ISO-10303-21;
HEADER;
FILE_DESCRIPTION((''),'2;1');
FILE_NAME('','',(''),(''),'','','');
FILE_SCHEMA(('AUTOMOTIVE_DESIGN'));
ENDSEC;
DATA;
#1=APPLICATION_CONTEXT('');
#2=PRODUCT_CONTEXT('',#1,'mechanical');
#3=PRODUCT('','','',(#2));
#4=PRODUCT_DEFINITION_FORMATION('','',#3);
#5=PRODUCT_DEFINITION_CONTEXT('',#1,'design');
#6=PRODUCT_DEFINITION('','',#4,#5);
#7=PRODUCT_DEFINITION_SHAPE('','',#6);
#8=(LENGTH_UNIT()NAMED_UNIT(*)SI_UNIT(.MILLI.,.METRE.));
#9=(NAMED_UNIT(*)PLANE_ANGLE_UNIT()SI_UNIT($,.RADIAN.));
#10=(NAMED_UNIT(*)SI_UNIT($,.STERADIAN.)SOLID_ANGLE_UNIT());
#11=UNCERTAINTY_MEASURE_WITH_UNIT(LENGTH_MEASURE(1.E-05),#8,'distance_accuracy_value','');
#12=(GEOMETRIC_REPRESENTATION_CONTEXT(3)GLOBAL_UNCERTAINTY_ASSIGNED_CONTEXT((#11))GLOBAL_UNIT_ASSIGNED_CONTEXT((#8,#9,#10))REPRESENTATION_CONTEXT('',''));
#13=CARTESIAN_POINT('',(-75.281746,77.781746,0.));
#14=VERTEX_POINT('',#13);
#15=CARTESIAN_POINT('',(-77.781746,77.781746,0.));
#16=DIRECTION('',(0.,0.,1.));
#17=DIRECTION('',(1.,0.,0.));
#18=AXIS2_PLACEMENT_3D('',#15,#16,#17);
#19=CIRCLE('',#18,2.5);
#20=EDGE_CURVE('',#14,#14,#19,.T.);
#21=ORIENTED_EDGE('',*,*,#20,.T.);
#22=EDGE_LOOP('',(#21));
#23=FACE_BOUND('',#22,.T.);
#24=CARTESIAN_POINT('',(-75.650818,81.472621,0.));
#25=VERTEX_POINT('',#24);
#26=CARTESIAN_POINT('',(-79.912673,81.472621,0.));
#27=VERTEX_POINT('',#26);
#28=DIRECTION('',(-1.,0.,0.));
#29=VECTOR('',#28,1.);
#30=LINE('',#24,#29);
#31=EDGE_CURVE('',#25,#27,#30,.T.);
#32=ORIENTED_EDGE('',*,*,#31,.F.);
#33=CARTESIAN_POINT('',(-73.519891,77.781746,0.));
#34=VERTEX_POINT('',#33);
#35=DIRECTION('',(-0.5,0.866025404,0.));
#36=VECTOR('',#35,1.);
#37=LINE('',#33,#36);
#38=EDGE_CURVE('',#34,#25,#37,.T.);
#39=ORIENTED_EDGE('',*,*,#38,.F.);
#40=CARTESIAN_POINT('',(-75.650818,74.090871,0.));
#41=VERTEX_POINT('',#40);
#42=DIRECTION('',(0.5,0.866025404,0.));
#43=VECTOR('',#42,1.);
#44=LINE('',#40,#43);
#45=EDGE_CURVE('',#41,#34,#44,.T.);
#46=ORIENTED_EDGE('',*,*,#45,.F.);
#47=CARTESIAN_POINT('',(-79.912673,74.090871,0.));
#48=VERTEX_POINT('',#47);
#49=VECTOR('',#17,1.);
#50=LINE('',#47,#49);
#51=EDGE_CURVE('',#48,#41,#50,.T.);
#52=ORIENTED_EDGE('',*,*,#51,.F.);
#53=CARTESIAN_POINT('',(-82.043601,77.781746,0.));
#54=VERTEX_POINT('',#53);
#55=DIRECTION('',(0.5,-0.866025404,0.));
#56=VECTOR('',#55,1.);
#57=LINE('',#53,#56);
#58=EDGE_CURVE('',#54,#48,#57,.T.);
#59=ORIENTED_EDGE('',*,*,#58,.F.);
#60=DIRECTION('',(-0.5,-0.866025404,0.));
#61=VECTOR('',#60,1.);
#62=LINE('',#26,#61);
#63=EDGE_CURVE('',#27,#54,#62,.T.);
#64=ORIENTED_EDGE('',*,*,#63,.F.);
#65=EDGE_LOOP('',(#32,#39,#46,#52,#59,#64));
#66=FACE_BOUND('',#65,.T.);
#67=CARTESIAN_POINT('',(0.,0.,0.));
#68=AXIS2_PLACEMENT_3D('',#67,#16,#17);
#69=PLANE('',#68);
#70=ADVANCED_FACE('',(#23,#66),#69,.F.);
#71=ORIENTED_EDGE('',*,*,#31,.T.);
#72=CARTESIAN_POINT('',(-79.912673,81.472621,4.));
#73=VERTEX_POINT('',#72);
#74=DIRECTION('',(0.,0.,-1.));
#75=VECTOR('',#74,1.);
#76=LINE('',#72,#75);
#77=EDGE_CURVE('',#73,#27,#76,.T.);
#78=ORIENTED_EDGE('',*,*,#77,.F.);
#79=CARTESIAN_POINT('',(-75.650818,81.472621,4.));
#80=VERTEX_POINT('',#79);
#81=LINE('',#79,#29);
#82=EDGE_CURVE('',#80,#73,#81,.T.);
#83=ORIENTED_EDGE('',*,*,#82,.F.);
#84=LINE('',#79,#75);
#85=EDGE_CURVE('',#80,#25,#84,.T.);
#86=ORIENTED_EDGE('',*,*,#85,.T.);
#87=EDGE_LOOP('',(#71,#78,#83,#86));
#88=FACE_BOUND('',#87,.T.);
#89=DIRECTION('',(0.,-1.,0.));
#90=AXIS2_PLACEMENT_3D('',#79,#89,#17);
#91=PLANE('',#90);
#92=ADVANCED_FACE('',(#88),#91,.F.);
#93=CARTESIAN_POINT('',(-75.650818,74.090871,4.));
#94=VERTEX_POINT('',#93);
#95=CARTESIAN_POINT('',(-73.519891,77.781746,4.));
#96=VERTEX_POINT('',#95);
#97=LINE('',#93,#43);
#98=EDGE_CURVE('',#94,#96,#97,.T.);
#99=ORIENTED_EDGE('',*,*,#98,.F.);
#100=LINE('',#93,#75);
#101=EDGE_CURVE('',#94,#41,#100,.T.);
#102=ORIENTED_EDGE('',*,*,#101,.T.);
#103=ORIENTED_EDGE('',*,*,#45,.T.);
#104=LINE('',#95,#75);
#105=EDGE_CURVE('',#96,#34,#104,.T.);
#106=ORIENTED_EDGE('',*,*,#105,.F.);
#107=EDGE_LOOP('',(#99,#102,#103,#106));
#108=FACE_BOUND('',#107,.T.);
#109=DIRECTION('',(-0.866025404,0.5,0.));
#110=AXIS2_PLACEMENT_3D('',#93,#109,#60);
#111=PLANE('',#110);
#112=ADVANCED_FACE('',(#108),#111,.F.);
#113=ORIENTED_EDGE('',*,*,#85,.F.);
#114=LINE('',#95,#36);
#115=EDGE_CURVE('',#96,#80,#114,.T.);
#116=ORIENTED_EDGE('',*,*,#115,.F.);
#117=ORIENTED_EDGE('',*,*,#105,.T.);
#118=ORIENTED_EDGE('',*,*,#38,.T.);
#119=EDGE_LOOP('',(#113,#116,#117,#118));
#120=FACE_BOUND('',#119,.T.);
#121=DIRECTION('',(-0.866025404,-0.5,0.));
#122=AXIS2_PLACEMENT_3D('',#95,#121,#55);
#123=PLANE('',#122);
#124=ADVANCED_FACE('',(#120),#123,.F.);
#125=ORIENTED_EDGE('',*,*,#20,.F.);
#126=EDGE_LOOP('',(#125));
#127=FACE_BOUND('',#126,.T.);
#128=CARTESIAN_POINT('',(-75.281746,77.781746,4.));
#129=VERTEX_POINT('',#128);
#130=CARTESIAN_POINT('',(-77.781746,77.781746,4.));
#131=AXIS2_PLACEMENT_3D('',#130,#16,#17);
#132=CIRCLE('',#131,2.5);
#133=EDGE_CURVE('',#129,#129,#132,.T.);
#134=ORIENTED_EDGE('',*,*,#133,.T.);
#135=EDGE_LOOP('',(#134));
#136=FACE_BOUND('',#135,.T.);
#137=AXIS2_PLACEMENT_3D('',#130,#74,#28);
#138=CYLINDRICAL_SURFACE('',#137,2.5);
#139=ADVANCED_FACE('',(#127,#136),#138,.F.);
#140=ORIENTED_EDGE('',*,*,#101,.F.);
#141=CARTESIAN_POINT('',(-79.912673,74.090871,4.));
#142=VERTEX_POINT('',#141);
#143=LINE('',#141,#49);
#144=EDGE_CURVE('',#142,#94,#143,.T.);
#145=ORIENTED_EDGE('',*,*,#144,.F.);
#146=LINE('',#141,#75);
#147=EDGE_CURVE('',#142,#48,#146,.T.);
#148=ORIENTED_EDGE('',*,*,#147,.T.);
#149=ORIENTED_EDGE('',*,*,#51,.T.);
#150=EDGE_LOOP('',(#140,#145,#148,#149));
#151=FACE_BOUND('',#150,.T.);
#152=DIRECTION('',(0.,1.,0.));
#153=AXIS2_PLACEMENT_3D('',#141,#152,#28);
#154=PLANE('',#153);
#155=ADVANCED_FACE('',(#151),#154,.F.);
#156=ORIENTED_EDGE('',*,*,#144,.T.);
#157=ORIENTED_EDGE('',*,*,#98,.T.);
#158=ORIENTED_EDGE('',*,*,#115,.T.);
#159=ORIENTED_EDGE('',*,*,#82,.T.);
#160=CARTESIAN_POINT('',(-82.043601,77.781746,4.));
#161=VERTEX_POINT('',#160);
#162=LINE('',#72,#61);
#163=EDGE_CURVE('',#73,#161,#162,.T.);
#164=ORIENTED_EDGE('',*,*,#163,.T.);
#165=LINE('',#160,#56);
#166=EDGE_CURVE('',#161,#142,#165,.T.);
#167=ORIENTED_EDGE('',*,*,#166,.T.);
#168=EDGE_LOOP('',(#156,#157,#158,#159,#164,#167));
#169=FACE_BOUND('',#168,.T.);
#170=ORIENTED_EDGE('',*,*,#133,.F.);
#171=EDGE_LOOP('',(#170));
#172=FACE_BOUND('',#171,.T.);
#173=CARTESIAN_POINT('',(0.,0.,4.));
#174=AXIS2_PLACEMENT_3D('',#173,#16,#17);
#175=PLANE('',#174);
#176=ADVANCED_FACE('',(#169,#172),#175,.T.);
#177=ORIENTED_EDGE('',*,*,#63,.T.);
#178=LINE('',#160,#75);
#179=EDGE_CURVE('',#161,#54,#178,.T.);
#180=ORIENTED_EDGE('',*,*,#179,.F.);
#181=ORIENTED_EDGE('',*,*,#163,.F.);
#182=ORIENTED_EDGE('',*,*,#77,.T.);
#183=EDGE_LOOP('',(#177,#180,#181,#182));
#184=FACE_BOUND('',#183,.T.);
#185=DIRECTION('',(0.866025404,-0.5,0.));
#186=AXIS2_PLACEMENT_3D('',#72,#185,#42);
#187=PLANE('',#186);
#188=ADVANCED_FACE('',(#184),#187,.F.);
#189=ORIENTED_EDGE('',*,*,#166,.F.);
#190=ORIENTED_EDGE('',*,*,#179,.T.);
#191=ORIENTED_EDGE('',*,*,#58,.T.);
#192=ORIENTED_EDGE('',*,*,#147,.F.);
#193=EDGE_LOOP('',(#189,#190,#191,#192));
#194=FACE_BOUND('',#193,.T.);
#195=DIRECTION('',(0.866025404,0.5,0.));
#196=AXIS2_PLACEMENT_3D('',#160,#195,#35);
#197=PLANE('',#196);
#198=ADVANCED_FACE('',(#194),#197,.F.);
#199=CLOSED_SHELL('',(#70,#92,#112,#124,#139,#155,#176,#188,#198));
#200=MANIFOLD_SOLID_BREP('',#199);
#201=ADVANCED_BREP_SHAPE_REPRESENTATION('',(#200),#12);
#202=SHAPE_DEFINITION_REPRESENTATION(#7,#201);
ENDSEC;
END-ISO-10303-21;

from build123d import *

# Parameters (mm, degrees)
SKETCH1_R           = 2.5
BOSS_EXTRUDE1_DEPTH = 4


with BuildPart() as part:
    # Sketch1 → Boss-Extrude1 (new body)
    with BuildSketch(Plane.XY):
        Polygon((-73.519890998, 77.781745931), (-75.650818464, 81.472620569), (-79.912673397, 81.472620569), (-82.043600863, 77.781745931), (-79.912673397, 74.090871292), (-75.650818464, 74.090871292), align=None)
        with Locations((-77.781745931, 77.781745931)):
            Circle(SKETCH1_R, mode=Mode.SUBTRACT)
    extrude(amount=BOSS_EXTRUDE1_DEPTH)


solid = part.part
